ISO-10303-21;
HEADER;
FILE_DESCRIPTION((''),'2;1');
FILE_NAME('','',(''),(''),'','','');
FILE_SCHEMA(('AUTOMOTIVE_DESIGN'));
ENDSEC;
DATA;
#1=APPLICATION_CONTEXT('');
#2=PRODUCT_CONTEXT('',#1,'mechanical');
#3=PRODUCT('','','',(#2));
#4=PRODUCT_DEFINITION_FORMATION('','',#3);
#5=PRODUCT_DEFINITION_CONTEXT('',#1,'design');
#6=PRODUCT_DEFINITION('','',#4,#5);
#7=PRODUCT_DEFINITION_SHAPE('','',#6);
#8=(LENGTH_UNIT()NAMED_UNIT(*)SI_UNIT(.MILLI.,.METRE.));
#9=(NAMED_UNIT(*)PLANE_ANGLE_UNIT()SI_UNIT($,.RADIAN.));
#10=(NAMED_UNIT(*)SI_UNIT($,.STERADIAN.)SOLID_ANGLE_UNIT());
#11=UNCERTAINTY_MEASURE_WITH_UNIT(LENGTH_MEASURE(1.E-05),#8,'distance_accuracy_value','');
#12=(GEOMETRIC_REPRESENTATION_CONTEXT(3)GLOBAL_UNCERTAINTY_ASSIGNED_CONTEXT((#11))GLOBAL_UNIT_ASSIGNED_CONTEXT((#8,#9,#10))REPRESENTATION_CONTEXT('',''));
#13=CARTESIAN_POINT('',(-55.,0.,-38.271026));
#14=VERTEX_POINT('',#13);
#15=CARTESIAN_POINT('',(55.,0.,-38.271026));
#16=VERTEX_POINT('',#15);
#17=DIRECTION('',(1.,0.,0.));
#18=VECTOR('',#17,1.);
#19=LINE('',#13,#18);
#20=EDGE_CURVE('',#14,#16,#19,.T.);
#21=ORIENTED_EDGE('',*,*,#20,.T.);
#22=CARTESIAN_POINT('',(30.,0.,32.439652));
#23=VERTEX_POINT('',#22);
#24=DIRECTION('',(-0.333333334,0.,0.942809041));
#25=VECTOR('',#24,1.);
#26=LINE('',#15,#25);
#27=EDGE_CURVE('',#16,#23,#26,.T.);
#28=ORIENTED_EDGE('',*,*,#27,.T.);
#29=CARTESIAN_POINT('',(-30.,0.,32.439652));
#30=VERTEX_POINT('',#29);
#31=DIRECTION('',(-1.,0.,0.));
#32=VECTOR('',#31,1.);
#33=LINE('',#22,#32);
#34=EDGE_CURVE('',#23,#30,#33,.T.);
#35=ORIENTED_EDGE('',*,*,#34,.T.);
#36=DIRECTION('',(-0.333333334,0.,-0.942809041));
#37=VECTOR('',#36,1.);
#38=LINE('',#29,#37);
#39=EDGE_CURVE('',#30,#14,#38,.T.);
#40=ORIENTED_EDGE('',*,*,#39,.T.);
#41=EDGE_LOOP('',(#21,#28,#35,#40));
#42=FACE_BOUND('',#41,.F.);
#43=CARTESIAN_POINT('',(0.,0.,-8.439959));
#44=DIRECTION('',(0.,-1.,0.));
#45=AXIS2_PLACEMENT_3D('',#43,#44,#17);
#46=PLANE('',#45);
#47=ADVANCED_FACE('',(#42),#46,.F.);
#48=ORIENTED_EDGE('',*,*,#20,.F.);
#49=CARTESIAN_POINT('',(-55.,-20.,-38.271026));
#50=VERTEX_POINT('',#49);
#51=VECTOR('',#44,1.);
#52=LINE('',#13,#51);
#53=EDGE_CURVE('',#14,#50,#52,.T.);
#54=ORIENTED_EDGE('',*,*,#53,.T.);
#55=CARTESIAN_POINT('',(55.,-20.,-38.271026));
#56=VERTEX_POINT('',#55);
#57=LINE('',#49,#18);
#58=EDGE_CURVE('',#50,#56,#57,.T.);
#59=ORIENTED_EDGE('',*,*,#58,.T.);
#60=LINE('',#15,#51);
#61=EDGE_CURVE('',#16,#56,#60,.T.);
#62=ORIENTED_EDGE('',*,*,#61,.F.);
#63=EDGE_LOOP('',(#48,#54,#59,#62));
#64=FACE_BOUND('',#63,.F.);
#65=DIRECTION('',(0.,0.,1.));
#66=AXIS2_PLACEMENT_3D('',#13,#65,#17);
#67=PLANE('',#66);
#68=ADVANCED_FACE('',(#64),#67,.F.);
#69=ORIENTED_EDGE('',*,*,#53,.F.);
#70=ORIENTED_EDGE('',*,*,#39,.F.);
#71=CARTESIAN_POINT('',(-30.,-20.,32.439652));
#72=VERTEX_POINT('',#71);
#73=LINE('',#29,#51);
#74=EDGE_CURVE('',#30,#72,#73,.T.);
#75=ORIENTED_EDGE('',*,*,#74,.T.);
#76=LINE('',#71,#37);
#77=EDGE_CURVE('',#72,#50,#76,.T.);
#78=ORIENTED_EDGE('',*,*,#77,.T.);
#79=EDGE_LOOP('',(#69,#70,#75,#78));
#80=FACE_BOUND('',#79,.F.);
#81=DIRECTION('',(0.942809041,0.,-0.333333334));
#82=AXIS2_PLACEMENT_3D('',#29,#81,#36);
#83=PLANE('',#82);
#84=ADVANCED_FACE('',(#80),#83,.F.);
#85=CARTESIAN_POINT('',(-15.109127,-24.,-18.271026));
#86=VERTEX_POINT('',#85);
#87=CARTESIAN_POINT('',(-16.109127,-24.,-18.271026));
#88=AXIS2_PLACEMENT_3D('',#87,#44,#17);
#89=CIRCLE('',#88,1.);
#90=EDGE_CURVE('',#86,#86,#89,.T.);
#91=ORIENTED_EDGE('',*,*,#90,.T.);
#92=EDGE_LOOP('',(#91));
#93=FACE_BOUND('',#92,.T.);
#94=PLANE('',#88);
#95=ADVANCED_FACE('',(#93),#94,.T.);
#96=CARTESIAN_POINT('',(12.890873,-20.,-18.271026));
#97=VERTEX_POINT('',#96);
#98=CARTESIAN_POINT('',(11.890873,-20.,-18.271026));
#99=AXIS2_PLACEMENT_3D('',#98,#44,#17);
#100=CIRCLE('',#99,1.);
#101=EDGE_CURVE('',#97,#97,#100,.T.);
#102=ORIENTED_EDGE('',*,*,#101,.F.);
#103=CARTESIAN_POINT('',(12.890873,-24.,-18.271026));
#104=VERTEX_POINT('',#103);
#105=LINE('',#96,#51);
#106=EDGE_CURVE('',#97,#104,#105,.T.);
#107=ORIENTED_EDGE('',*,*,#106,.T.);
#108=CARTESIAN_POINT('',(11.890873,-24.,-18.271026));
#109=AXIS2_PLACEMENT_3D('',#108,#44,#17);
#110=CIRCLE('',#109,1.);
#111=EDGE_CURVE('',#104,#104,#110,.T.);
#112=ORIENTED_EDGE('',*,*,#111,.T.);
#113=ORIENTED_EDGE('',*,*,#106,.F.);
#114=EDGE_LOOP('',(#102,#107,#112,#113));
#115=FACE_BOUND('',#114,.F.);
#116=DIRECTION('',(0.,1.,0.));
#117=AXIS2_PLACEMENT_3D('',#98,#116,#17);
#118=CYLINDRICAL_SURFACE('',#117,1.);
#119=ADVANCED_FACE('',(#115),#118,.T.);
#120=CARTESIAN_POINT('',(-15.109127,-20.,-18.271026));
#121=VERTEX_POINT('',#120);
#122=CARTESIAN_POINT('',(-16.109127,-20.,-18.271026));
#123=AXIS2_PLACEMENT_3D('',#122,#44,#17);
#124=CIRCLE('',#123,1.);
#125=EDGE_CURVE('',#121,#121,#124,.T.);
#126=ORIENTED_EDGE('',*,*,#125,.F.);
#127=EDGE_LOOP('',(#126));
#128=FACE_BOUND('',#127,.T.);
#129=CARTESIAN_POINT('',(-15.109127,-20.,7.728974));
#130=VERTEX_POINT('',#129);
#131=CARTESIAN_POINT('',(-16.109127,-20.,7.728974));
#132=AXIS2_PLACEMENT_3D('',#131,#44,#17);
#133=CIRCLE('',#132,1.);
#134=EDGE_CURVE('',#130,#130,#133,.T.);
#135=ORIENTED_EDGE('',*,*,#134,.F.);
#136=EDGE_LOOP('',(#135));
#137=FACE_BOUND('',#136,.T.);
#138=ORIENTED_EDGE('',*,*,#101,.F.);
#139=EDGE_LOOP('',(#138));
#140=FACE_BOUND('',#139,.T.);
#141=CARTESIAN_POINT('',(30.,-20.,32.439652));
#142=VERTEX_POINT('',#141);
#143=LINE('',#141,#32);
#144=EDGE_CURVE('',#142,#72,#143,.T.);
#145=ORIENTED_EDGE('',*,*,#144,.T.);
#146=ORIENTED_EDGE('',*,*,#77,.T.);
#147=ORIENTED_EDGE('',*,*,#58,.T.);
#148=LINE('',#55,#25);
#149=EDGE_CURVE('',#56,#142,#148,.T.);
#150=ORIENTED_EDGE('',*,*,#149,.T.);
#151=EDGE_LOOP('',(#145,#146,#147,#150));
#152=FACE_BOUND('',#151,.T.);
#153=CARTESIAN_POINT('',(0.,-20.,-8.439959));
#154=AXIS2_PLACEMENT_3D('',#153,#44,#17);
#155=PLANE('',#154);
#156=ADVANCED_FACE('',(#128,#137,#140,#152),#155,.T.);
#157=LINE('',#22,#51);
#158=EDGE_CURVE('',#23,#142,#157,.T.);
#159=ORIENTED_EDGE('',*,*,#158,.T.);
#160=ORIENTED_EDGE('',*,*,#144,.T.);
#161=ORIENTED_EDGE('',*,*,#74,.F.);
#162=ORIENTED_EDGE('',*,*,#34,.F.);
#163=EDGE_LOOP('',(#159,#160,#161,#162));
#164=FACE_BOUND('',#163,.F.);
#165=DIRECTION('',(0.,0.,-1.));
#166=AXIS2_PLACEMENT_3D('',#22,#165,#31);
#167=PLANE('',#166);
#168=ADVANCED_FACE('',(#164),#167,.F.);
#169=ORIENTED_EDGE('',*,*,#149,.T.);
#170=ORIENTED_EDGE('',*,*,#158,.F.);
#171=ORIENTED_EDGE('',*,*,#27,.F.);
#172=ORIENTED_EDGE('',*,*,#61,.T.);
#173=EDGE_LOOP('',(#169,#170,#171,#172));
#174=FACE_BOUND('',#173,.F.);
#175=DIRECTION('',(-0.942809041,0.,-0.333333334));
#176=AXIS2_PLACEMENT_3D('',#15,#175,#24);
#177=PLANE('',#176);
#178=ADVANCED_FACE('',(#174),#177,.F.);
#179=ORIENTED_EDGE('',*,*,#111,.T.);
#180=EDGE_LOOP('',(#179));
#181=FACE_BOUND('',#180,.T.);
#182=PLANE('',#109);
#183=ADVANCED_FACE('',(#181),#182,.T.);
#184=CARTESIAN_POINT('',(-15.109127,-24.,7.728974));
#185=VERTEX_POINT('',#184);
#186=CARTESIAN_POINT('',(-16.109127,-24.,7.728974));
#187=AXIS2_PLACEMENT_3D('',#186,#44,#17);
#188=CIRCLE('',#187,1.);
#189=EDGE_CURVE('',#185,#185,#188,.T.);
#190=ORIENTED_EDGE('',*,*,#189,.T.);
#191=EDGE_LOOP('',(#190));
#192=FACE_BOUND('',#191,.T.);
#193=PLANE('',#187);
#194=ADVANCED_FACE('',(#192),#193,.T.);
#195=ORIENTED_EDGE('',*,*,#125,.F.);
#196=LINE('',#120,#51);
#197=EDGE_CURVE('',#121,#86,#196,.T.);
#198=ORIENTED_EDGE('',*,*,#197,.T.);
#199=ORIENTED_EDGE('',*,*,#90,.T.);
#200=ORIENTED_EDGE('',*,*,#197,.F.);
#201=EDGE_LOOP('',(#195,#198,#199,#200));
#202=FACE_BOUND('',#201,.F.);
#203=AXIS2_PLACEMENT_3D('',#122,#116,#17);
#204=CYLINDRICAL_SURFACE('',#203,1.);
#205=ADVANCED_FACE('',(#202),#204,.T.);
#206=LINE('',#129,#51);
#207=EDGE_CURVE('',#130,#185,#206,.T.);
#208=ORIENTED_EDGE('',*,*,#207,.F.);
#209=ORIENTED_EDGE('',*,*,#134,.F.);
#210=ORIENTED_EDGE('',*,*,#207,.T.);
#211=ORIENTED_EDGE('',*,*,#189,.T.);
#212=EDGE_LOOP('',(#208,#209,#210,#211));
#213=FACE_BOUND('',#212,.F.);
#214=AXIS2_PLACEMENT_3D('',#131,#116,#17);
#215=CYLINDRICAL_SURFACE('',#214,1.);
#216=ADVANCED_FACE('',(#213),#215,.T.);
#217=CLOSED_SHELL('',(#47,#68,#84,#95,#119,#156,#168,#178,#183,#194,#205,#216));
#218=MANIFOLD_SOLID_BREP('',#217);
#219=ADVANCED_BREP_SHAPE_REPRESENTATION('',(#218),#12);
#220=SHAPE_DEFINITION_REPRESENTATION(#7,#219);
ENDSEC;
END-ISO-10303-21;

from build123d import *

# Parameters (mm, degrees)
F1_DEPTH = 20
F2_R     = 1
F3_DEPTH = 4


with BuildPart() as f1:
    # F0 (on Front) → F1 (new body)
    with BuildSketch(Plane.XZ):
        Polygon((30, 32.439652), (0, 32.439652), (-30, 32.439652), (-55, -38.271026), (0, -38.271026), (55, -38.271026), align=None)
    extrude(amount=F1_DEPTH)

    # F2 (on face) → F3 (join)
    with BuildSketch(Plane.XZ.offset(20)):
        with Locations((-16.109127, 7.728974)):
            Circle(F2_R)
        with Locations((-16.109127, -18.271026)):
            Circle(F2_R)
        with Locations((11.890873, -18.271026)):
            Circle(F2_R)
    extrude(amount=F3_DEPTH)


solid = f1.part
